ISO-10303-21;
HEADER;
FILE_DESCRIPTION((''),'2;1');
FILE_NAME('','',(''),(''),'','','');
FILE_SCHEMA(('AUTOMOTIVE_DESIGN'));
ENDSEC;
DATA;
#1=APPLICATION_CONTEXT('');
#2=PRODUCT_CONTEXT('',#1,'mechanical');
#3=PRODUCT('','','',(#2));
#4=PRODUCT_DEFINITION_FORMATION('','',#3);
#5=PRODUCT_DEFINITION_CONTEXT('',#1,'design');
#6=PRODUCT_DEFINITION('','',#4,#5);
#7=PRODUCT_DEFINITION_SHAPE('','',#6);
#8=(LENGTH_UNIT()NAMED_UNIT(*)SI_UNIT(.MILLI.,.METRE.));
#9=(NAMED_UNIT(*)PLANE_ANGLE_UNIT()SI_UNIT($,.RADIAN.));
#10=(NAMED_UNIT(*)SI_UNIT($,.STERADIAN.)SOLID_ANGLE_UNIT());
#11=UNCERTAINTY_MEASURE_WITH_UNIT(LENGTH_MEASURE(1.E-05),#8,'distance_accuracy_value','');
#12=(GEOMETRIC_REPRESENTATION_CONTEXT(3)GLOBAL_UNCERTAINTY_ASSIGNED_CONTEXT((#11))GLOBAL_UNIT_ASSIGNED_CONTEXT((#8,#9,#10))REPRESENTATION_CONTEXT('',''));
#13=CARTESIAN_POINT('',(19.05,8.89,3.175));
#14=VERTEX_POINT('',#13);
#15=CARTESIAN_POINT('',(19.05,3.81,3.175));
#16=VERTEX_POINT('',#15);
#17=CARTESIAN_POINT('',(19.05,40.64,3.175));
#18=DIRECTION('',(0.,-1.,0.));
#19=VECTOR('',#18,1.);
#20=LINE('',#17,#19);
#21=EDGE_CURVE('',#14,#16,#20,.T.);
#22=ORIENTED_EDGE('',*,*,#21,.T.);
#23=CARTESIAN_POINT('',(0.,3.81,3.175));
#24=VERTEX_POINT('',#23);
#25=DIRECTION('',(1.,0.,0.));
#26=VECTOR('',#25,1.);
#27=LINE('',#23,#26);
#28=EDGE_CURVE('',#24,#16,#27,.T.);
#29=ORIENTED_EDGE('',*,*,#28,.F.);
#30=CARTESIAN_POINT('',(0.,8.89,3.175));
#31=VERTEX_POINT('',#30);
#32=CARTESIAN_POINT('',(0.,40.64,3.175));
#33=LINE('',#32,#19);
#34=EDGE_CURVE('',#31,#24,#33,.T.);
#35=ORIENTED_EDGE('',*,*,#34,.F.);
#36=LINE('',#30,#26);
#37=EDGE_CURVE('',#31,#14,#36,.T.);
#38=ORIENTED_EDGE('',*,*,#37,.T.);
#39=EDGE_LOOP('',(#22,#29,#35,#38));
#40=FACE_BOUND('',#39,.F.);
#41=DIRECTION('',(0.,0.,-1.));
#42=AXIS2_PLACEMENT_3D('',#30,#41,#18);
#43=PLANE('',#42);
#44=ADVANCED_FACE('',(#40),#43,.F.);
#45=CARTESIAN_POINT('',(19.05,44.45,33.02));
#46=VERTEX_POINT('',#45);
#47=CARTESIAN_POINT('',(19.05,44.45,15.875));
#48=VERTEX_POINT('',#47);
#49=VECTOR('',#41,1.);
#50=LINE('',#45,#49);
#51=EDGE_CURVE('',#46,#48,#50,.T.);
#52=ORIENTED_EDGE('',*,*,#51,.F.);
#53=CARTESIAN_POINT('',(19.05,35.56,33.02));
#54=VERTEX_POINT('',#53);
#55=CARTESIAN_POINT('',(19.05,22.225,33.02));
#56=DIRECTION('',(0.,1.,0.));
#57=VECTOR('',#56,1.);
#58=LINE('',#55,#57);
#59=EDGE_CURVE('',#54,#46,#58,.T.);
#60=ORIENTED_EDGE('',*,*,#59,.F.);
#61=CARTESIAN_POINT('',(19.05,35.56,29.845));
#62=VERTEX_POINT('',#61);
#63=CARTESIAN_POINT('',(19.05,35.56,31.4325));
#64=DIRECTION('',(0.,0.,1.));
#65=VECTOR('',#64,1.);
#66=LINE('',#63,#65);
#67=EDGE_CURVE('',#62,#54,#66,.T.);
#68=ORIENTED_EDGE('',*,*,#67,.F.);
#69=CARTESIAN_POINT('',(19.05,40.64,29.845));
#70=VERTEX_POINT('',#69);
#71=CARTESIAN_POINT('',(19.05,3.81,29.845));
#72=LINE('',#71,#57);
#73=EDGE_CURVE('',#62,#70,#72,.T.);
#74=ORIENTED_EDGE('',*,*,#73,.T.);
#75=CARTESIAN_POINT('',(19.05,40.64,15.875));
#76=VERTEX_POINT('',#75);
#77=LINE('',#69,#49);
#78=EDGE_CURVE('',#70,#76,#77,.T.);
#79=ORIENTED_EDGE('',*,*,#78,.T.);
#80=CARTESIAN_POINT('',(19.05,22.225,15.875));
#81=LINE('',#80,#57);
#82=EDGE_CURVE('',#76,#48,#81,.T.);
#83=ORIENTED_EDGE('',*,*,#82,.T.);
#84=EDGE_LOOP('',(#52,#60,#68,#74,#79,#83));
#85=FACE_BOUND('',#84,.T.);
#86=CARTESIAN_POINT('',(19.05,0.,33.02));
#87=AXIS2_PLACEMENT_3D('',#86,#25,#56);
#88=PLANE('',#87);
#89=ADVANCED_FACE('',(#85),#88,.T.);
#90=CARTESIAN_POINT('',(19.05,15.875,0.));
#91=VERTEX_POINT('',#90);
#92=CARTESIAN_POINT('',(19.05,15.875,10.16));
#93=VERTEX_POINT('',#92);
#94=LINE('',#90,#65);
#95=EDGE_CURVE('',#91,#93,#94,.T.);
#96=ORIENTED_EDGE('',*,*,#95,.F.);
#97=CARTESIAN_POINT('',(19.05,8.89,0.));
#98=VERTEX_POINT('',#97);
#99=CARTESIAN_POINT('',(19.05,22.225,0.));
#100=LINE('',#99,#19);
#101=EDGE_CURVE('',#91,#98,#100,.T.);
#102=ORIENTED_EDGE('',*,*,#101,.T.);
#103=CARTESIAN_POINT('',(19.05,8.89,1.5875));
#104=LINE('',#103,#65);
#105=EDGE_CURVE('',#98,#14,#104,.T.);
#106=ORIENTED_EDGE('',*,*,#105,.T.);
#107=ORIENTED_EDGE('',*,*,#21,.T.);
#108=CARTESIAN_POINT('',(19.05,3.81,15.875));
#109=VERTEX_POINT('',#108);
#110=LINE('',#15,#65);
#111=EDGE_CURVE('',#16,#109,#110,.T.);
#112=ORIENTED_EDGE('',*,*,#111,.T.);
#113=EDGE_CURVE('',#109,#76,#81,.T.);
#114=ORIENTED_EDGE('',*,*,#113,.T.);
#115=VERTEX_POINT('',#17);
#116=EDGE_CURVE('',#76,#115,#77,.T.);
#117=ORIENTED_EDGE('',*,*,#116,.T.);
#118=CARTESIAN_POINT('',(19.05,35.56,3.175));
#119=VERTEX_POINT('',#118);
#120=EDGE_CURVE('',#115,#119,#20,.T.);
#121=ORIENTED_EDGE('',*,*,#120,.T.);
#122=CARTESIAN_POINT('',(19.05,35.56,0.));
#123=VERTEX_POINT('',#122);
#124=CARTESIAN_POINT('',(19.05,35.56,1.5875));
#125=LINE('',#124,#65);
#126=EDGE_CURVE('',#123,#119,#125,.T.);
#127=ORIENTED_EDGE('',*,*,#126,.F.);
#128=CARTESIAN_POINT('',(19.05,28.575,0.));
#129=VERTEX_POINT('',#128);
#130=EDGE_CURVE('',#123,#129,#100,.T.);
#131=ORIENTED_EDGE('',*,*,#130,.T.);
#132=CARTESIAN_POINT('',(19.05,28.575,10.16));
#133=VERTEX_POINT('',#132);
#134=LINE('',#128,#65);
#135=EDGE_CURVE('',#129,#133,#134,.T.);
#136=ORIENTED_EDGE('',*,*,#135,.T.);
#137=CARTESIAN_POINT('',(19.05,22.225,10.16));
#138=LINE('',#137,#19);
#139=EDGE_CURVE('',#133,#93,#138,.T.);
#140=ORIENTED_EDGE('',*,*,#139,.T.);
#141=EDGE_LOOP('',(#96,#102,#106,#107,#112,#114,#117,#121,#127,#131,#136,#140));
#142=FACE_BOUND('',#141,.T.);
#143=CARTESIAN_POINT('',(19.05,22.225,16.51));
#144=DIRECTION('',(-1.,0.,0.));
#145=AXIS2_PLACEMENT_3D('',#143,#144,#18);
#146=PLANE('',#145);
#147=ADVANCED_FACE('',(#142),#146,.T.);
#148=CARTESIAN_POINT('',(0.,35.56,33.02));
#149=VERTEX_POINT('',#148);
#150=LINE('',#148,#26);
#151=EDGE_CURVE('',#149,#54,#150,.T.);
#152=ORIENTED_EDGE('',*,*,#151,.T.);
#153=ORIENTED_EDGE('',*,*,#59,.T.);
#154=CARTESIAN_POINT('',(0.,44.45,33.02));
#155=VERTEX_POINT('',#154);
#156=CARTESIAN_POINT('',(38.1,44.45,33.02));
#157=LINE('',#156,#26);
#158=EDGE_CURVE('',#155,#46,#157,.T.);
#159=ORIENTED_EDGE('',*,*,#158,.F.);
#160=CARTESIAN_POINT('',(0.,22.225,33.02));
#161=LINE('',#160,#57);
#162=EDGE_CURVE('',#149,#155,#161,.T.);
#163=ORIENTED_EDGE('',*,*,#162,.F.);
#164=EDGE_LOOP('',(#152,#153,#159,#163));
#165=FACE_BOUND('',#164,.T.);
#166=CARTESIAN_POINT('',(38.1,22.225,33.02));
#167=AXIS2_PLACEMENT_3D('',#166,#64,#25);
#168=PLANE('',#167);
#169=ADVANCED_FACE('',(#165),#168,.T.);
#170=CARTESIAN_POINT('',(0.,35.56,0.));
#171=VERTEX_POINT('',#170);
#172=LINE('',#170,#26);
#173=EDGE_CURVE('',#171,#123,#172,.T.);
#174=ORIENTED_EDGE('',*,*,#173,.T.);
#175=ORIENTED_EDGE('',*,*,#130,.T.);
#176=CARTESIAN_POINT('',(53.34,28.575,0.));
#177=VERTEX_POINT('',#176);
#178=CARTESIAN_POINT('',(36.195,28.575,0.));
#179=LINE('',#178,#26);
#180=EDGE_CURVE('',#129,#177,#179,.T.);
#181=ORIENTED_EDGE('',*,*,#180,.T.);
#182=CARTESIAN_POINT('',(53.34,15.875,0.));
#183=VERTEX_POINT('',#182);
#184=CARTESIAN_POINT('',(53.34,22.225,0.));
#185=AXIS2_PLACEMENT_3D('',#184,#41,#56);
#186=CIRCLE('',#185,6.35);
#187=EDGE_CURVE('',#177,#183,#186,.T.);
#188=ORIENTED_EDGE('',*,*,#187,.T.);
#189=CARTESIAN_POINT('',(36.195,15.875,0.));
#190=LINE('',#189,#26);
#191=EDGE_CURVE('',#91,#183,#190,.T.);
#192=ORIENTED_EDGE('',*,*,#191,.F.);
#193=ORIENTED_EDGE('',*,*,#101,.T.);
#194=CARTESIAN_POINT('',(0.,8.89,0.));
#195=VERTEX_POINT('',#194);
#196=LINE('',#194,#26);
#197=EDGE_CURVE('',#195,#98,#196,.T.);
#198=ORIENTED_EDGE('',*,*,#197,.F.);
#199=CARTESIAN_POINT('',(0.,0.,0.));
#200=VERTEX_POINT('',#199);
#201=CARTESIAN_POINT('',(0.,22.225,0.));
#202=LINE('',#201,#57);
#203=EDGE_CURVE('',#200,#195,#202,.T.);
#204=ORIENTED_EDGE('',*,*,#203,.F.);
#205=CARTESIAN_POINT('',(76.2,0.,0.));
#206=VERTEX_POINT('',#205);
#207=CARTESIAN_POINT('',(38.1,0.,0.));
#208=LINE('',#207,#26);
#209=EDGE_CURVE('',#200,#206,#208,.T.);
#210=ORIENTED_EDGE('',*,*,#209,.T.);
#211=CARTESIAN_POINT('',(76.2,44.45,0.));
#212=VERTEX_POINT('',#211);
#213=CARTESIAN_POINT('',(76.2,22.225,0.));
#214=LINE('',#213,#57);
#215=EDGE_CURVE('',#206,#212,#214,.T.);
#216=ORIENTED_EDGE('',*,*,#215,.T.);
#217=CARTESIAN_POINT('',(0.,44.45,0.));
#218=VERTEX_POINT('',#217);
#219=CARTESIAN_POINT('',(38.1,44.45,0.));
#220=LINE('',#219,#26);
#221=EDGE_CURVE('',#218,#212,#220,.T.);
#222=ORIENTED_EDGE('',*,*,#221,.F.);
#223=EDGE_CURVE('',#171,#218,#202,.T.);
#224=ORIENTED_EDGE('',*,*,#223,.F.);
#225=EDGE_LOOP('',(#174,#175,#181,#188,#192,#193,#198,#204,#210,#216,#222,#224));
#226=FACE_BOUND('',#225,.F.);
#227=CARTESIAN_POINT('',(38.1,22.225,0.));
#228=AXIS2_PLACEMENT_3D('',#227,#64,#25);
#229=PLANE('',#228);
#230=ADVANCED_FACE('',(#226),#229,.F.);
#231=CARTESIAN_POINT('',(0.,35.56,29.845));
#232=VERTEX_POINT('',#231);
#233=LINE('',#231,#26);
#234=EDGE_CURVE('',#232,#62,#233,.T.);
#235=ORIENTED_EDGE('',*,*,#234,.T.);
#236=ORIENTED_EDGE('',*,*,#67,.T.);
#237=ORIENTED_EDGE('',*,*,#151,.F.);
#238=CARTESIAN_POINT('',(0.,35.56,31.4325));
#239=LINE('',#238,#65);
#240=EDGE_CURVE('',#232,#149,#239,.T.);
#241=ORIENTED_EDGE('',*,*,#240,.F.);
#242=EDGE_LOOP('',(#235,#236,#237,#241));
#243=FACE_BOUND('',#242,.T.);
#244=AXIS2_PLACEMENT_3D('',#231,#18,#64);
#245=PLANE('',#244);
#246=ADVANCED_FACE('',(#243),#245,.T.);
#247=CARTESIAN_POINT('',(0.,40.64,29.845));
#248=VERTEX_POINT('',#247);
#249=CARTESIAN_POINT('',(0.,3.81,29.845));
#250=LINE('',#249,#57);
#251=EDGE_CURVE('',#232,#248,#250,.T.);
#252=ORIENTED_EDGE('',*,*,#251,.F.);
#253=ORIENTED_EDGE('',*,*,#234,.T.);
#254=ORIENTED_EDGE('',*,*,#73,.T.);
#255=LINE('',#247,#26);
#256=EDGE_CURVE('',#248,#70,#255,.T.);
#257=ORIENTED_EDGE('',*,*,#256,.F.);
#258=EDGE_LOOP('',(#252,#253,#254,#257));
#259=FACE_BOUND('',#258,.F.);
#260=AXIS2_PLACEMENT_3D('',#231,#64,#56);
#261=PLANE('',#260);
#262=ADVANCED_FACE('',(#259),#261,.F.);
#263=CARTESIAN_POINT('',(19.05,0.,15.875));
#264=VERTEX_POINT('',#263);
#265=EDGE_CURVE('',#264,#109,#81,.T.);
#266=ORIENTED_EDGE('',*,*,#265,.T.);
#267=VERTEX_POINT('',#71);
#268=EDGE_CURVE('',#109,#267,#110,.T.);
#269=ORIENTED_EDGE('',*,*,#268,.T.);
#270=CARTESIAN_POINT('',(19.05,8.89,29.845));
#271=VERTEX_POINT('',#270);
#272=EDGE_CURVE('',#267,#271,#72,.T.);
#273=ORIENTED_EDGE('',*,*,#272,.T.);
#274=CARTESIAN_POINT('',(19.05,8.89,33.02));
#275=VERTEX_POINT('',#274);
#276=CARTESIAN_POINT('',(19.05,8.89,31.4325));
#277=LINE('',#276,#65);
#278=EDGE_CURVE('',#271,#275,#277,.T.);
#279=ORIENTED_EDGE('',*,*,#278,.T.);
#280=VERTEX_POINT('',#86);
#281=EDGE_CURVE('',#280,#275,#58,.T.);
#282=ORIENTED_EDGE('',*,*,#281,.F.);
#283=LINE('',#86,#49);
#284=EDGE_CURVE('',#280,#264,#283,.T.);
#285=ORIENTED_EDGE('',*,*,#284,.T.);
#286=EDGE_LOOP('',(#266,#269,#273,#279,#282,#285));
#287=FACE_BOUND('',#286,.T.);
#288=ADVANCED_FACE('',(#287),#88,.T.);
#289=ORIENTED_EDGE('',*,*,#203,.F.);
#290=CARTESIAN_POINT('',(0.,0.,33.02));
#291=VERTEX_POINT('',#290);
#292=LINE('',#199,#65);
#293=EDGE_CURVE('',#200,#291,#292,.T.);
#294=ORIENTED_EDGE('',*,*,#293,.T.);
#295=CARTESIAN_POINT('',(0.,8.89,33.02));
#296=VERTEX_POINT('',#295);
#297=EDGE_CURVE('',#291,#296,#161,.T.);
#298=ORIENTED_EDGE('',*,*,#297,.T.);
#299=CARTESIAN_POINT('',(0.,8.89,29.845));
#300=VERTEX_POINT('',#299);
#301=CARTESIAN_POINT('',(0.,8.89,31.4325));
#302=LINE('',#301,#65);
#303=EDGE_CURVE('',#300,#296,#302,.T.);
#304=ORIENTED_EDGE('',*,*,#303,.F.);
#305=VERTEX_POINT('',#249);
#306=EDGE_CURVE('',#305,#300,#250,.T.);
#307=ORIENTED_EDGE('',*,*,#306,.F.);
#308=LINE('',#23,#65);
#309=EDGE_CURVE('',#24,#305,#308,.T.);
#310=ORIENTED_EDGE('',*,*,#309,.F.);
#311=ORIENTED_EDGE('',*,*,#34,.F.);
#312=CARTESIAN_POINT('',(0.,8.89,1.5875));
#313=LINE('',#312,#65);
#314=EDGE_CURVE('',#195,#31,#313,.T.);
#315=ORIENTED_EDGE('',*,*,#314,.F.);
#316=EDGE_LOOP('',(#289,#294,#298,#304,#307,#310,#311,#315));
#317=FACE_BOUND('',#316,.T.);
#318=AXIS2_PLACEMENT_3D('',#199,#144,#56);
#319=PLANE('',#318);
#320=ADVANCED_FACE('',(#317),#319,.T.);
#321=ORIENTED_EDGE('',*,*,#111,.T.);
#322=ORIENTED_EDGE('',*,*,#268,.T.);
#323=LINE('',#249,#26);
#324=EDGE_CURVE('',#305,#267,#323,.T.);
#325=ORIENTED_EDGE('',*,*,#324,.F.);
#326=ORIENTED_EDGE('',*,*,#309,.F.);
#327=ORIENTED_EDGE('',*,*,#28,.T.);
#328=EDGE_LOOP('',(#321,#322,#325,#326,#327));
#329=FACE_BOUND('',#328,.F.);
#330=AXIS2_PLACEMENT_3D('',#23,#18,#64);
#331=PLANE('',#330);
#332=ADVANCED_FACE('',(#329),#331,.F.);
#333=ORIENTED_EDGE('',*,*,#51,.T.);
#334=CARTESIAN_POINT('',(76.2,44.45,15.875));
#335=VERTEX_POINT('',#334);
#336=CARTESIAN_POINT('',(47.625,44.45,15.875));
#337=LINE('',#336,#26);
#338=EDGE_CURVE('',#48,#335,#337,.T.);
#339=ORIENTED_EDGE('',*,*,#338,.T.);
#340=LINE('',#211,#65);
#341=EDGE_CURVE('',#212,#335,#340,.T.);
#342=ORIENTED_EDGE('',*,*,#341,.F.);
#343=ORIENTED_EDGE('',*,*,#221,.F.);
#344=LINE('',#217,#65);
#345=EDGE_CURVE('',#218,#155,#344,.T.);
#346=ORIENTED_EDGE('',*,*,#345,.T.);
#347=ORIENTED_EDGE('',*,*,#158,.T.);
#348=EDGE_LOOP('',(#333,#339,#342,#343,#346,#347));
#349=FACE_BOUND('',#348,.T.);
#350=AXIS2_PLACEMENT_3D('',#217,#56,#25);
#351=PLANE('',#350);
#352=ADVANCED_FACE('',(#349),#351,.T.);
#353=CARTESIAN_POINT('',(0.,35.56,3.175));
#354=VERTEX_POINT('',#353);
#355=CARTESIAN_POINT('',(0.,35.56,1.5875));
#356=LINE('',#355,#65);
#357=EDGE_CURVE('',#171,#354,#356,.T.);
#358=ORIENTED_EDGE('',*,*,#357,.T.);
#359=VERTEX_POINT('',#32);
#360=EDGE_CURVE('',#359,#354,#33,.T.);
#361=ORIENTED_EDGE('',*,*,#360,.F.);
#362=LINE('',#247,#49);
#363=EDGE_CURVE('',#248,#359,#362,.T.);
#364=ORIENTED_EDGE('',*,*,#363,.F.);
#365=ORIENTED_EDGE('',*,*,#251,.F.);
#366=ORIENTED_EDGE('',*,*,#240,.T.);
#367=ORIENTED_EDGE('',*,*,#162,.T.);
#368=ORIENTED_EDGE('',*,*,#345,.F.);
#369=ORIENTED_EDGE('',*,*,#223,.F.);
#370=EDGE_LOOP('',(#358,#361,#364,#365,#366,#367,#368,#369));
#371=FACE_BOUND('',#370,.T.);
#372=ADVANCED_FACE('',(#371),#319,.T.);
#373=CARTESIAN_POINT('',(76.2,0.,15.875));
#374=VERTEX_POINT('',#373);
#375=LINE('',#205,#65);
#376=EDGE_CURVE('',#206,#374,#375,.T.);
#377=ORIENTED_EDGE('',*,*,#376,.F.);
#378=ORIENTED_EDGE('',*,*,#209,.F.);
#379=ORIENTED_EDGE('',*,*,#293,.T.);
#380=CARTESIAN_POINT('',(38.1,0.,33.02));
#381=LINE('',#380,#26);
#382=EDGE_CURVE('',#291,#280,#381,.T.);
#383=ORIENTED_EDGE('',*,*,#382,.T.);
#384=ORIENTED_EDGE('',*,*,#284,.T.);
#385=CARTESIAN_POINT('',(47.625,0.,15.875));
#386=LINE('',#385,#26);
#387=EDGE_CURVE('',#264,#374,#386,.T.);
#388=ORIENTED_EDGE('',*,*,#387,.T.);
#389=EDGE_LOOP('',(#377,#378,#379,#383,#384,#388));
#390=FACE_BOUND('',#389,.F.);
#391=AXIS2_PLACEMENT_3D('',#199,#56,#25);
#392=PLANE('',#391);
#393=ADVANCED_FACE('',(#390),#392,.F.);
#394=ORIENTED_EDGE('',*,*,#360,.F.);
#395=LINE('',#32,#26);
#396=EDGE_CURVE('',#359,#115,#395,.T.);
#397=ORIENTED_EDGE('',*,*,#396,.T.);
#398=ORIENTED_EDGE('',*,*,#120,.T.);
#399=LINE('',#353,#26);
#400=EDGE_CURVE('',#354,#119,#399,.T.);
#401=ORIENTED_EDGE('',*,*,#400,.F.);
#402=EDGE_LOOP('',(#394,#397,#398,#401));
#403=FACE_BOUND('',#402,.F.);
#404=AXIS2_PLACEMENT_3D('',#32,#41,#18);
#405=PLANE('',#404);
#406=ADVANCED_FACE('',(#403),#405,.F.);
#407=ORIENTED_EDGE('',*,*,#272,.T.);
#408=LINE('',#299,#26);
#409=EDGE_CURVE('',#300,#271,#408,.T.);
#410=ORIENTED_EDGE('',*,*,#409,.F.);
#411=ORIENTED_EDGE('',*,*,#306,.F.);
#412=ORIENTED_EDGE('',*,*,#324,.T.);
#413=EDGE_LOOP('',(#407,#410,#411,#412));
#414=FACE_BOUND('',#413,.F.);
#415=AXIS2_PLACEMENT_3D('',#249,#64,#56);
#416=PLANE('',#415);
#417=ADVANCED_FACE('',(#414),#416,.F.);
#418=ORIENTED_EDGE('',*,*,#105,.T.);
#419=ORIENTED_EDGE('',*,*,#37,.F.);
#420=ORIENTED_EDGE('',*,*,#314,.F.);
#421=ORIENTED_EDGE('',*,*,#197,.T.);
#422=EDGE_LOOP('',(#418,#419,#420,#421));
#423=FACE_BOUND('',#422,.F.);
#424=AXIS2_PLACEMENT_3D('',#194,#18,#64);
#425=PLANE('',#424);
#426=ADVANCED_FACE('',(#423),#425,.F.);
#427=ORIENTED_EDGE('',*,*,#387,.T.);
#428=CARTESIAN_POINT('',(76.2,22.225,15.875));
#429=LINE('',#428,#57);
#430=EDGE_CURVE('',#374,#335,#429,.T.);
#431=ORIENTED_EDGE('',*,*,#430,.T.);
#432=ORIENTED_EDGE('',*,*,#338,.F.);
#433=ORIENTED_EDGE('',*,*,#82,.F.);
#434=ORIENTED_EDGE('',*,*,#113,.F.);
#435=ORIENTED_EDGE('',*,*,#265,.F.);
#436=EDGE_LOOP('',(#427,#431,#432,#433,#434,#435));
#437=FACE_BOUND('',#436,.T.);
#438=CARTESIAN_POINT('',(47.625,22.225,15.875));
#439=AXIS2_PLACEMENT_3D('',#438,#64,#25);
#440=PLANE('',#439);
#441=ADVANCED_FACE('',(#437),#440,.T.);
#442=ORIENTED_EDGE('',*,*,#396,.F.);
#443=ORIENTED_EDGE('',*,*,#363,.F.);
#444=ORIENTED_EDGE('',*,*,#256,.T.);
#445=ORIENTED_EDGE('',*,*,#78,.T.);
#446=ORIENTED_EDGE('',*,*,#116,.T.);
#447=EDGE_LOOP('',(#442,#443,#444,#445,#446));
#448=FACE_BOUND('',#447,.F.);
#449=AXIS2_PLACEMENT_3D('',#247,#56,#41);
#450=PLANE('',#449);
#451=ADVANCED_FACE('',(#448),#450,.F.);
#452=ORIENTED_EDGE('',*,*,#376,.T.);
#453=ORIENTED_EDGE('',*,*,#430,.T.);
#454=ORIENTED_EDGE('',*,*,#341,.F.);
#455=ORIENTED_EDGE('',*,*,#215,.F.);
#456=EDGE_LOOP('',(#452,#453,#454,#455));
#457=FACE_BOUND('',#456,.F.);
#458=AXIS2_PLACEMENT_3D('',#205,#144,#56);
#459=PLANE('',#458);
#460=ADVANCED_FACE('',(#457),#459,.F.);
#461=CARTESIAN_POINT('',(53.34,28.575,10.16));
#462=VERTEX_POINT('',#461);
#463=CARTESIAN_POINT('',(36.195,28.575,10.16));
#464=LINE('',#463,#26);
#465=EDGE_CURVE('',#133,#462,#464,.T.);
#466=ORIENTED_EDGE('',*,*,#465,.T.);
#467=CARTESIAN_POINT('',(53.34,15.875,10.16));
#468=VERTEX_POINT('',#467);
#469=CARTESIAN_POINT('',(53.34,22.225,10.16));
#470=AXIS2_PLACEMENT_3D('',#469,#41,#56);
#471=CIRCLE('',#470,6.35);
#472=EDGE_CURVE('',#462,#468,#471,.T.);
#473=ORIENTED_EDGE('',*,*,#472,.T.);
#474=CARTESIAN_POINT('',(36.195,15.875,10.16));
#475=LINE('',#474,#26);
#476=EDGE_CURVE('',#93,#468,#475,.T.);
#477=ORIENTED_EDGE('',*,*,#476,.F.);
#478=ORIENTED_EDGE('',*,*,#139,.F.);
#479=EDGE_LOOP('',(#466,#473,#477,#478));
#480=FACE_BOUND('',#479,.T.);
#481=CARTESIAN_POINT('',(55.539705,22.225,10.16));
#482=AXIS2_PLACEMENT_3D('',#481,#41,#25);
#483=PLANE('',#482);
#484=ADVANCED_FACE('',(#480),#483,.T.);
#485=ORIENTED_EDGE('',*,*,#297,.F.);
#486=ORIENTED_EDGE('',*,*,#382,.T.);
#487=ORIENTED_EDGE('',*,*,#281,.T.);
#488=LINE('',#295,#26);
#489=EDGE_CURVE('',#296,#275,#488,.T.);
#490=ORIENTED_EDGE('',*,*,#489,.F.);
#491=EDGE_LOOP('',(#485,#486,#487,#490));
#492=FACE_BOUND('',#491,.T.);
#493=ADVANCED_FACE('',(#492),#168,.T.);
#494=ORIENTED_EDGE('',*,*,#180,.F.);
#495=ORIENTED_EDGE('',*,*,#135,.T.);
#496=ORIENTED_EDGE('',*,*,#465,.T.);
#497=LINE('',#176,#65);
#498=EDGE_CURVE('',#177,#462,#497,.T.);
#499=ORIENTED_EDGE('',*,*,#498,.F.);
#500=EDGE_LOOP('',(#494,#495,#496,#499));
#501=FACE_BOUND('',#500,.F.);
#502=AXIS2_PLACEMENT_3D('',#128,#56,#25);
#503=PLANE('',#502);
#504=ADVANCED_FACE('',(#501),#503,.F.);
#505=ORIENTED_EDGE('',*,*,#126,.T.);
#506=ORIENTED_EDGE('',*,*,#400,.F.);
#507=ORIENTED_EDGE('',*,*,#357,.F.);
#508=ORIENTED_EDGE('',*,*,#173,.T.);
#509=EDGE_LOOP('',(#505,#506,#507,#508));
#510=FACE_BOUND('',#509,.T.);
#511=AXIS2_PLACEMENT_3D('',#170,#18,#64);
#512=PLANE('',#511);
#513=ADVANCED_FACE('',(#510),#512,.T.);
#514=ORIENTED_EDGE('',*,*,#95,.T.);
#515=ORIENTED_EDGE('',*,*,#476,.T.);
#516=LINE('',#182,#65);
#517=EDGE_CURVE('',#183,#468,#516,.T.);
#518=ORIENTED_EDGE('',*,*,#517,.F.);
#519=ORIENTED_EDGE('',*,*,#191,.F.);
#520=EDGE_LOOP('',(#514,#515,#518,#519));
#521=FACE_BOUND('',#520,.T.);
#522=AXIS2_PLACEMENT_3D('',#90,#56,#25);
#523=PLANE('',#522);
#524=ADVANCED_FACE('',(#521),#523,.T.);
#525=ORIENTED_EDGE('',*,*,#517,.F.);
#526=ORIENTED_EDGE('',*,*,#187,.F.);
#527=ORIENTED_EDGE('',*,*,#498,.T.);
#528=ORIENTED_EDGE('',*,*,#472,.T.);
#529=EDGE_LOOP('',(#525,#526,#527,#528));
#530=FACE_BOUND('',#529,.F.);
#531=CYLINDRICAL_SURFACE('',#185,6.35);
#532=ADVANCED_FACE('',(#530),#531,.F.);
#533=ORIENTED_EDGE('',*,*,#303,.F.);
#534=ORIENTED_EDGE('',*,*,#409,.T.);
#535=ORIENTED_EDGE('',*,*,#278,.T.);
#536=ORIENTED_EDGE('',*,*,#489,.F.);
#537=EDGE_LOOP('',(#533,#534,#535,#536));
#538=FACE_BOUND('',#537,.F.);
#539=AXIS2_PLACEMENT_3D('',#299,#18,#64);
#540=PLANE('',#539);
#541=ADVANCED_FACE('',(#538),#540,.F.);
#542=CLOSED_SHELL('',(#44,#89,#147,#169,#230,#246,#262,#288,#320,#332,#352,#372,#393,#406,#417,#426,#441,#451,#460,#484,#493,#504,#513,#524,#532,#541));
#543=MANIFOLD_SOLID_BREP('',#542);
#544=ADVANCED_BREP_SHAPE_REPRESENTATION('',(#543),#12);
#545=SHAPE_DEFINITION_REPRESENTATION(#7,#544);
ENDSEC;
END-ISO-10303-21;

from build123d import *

# Parameters (mm, degrees)
F0_W     = 76.2
F0_H     = 44.45
F1_DEPTH = 33.02
F2_W     = 57.15
F2_H     = 44.45
F3_DEPTH = 17.145
F4_W     = 26.67
F4_H     = 3.175
F5_DEPTH = 19.05
F6_W     = 34.29
F6_H     = 12.7
F7_DEPTH = 10.16


with BuildPart() as f1:
    # F0 (on Top) → F1 (new body)
    with BuildSketch(Plane.XY):
        with Locations((38.1, 22.225)):
            Rectangle(F0_W, F0_H)
    extrude(amount=F1_DEPTH)

    # F2 (on face) → F3 (cut)
    with BuildSketch(Plane.XY.offset(33.02)):
        with Locations((47.625, 22.225)):
            Rectangle(F2_W, F2_H)
    extrude(amount=-F3_DEPTH, mode=Mode.SUBTRACT)

    # F4 (on face) → F5 (cut)
    with BuildSketch(Plane(origin=(0, 0, 0), x_dir=(0, -1, 0), z_dir=(-1, 0, 0))):
        Polygon((-35.56, 29.845), (-40.64, 29.845), (-40.64, 3.175), (-35.56, 3.175), (-8.89, 3.175), (-3.81, 3.175), (-3.81, 29.845), (-8.89, 29.845), align=None)
        with Locations((-22.225, 31.4325)):
            Rectangle(F4_W, F4_H)
        with Locations((-22.225, 1.5875)):
            Rectangle(F4_W, F4_H)
    extrude(amount=-F5_DEPTH, mode=Mode.SUBTRACT)

    # F6 (on face) → F7 (cut)
    with BuildSketch(Plane(origin=(0, 0, 0), x_dir=(1, 0, 0), z_dir=(0, 0, -1))):
        with BuildLine():
            ThreePointArc((53.34, -28.575), (59.69, -22.225), (53.34, -15.875))
            Line((53.34, -15.875), (53.34, -28.575))
        make_face()
        with Locations((36.195, -22.225)):
            Rectangle(F6_W, F6_H)
    extrude(amount=-F7_DEPTH, mode=Mode.SUBTRACT)


solid = f1.part
